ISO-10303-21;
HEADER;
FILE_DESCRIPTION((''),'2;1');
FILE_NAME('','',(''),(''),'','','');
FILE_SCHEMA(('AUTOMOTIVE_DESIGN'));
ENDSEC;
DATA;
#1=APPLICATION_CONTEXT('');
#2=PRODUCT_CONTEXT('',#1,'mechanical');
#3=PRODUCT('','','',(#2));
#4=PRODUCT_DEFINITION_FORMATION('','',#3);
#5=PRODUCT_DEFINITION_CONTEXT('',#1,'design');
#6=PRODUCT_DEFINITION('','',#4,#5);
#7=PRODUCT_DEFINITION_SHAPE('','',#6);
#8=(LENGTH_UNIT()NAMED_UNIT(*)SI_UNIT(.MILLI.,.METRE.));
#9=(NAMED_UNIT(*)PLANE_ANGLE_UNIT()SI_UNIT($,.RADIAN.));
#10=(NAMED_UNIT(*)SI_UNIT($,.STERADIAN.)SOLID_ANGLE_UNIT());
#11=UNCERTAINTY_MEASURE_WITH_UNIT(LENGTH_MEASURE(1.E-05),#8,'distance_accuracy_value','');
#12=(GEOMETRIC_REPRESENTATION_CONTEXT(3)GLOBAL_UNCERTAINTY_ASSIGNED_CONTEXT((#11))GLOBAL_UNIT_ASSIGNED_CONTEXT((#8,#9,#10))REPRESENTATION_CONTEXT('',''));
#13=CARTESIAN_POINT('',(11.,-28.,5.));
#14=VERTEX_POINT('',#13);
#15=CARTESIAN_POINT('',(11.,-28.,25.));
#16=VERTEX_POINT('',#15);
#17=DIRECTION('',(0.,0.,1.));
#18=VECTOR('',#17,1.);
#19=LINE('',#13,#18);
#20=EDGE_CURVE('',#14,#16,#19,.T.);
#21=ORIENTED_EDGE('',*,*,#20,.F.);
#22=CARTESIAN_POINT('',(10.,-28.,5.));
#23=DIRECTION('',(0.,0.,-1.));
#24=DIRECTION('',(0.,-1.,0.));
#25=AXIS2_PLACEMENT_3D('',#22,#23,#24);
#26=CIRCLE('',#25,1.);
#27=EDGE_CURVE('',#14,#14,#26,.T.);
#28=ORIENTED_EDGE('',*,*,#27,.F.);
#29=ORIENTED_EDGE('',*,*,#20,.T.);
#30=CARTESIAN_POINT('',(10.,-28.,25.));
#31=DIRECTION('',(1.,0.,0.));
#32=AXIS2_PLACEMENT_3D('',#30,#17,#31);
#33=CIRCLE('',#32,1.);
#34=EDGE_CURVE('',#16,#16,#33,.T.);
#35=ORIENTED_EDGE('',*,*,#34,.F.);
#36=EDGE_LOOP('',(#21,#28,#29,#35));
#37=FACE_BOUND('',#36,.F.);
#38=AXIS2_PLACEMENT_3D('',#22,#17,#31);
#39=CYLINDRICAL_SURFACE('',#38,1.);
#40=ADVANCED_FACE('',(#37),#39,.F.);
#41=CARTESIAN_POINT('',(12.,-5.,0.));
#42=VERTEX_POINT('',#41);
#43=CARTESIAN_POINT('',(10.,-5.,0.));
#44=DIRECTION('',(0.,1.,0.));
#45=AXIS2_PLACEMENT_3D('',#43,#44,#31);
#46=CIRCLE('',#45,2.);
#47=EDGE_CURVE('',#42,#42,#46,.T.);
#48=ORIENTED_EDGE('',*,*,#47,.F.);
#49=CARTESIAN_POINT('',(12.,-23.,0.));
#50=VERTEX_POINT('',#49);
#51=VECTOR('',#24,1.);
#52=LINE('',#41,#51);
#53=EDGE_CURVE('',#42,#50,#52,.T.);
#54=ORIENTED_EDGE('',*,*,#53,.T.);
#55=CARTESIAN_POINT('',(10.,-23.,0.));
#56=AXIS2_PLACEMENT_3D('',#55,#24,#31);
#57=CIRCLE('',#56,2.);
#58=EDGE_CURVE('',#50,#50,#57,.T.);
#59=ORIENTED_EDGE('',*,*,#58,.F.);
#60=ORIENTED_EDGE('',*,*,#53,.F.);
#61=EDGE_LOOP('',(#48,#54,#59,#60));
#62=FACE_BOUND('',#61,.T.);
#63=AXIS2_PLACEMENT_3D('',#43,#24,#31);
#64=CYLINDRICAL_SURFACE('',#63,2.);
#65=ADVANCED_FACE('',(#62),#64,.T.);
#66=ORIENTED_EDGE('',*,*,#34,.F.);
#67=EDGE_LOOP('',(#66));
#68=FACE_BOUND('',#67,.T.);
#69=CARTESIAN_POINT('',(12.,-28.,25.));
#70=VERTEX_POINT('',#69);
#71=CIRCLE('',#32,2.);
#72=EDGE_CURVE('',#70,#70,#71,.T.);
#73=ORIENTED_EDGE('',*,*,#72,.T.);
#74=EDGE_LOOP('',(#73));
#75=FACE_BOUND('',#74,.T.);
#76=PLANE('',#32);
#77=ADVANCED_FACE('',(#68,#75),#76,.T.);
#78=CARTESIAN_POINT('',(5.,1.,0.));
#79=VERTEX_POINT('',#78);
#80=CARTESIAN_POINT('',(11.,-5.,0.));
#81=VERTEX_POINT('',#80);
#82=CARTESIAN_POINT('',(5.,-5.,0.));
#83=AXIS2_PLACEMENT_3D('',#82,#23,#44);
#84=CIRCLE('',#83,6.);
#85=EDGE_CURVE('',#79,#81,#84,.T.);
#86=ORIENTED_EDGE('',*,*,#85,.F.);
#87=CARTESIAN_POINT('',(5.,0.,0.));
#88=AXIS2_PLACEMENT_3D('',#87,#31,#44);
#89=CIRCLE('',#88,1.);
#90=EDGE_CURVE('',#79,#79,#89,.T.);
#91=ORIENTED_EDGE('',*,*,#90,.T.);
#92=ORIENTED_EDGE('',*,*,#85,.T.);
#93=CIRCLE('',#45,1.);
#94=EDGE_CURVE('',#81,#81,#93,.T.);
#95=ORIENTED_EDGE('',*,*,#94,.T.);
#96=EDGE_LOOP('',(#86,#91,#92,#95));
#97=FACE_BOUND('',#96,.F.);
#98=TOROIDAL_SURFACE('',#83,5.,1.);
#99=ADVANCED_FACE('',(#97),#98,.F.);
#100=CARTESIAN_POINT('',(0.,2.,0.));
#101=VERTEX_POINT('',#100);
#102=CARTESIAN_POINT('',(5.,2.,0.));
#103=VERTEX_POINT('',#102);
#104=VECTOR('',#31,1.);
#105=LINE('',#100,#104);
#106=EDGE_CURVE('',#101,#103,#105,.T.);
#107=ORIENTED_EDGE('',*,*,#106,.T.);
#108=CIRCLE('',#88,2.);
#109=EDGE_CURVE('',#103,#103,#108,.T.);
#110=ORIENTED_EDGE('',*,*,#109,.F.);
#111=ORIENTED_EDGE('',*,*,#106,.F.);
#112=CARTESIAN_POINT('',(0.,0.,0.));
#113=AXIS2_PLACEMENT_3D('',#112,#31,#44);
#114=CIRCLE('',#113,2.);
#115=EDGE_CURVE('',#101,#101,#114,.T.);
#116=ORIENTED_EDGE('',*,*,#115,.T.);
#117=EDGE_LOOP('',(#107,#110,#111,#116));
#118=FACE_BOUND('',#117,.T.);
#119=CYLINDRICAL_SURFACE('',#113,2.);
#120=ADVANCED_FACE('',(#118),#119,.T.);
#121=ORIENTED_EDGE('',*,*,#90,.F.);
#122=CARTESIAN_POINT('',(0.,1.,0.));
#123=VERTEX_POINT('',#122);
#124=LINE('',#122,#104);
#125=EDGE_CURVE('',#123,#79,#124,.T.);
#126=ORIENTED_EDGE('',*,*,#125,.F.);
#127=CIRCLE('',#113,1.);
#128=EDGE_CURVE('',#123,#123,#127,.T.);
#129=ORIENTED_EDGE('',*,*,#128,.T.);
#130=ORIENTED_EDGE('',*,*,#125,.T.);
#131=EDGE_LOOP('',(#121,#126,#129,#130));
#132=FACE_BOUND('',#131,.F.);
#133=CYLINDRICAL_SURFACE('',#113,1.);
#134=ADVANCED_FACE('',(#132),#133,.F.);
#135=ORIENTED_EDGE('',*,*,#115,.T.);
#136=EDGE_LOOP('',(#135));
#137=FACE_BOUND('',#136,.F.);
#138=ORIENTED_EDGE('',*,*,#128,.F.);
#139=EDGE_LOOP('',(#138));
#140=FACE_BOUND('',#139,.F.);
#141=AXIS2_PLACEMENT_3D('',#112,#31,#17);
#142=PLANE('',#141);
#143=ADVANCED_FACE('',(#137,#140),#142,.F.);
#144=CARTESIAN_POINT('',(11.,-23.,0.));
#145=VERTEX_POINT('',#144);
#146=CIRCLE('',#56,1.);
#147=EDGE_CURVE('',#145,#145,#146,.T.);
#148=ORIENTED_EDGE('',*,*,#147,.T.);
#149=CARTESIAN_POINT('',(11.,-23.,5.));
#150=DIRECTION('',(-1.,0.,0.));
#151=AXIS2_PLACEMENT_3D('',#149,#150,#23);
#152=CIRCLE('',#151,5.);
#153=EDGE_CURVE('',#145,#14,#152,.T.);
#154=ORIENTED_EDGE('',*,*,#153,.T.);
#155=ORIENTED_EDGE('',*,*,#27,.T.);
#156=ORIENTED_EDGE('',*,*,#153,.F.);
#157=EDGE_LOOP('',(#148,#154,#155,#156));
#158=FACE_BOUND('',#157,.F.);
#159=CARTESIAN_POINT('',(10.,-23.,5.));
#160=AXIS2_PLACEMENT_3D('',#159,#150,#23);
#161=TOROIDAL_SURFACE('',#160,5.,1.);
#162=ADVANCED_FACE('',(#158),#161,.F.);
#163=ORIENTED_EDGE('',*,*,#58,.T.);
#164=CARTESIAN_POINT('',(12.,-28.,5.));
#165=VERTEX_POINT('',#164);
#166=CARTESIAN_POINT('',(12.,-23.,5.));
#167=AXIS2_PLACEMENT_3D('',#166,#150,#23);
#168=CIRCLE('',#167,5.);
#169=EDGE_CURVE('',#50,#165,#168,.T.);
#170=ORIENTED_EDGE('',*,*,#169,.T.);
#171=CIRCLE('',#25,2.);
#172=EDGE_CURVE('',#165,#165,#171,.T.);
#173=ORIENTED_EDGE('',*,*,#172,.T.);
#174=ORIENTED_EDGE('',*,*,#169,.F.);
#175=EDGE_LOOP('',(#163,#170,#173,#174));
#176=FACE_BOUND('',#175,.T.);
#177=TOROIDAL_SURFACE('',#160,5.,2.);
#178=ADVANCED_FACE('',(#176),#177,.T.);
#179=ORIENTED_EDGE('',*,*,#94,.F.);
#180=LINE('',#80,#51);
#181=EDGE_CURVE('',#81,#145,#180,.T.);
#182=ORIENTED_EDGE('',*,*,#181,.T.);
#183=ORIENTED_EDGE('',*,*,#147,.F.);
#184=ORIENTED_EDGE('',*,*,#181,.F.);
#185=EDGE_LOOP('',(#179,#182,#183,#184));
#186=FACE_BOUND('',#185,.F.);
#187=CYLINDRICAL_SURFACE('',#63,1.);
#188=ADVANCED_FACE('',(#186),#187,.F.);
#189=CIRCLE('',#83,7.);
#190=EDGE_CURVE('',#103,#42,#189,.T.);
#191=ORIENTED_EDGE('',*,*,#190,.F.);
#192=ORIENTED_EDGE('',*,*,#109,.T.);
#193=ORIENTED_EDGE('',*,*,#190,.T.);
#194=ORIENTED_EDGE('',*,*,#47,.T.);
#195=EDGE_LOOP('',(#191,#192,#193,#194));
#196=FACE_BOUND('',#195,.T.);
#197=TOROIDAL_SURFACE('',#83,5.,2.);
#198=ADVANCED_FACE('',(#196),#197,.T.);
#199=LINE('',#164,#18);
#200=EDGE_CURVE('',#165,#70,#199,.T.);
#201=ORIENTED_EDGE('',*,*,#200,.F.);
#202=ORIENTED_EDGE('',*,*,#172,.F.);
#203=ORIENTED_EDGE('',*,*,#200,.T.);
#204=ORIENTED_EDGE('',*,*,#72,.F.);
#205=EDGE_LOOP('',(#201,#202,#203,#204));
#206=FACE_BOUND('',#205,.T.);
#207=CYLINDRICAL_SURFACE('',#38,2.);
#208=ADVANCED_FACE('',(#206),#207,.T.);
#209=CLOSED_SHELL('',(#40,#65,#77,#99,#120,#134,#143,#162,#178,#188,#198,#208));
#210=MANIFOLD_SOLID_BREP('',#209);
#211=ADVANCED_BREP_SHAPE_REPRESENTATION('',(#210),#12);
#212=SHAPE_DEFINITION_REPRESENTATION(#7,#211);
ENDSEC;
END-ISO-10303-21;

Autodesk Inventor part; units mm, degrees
ref_plane "YZ Plane" through (0, 0, 0) normal (1, 0, 0) x (0, 1, 0)
ref_plane "XZ Plane" through (0, 0, 0) normal (0, 1, 0) x (-1, 0, 0)
ref_plane "XY Plane" through (0, 0, 0) normal (0, 0, 1) x (1, 0, 0)
sketch "Sketch2" plane through (0, 0, 0) normal (1, 0, 0) x (0, 1, 0)
  circle A0 centre (0, 0) radius 1
  circle A1 centre (0, 0) radius 2
  dimension "d8" = 2
  dimension "d9" = 1
sketch3d "3D Sketch1"
  line L0 (0, 0, 0) -> (5, 0, 0)
  arc A0 (5, 0, 0) -> (10, -5, 0) centre (5, -5, 0) ccw
  line L1 (10, -5, 0) -> (10, -23, 0)
  arc A1 (10, -23, 0) -> (10, -28, 5) centre (10, -23, 5) ccw
  line L2 (10, -28, 5) -> (10, -28, 25)
  dimension "d3" = 10
  dimension "d4" = 28
  dimension "d6" = 5
  dimension "d12" = 25
  dimension "d13" = 5
sweep "Sweep1" add profiles "Sketch2" path "3D Sketch1"
properties part number "Pipe2"
